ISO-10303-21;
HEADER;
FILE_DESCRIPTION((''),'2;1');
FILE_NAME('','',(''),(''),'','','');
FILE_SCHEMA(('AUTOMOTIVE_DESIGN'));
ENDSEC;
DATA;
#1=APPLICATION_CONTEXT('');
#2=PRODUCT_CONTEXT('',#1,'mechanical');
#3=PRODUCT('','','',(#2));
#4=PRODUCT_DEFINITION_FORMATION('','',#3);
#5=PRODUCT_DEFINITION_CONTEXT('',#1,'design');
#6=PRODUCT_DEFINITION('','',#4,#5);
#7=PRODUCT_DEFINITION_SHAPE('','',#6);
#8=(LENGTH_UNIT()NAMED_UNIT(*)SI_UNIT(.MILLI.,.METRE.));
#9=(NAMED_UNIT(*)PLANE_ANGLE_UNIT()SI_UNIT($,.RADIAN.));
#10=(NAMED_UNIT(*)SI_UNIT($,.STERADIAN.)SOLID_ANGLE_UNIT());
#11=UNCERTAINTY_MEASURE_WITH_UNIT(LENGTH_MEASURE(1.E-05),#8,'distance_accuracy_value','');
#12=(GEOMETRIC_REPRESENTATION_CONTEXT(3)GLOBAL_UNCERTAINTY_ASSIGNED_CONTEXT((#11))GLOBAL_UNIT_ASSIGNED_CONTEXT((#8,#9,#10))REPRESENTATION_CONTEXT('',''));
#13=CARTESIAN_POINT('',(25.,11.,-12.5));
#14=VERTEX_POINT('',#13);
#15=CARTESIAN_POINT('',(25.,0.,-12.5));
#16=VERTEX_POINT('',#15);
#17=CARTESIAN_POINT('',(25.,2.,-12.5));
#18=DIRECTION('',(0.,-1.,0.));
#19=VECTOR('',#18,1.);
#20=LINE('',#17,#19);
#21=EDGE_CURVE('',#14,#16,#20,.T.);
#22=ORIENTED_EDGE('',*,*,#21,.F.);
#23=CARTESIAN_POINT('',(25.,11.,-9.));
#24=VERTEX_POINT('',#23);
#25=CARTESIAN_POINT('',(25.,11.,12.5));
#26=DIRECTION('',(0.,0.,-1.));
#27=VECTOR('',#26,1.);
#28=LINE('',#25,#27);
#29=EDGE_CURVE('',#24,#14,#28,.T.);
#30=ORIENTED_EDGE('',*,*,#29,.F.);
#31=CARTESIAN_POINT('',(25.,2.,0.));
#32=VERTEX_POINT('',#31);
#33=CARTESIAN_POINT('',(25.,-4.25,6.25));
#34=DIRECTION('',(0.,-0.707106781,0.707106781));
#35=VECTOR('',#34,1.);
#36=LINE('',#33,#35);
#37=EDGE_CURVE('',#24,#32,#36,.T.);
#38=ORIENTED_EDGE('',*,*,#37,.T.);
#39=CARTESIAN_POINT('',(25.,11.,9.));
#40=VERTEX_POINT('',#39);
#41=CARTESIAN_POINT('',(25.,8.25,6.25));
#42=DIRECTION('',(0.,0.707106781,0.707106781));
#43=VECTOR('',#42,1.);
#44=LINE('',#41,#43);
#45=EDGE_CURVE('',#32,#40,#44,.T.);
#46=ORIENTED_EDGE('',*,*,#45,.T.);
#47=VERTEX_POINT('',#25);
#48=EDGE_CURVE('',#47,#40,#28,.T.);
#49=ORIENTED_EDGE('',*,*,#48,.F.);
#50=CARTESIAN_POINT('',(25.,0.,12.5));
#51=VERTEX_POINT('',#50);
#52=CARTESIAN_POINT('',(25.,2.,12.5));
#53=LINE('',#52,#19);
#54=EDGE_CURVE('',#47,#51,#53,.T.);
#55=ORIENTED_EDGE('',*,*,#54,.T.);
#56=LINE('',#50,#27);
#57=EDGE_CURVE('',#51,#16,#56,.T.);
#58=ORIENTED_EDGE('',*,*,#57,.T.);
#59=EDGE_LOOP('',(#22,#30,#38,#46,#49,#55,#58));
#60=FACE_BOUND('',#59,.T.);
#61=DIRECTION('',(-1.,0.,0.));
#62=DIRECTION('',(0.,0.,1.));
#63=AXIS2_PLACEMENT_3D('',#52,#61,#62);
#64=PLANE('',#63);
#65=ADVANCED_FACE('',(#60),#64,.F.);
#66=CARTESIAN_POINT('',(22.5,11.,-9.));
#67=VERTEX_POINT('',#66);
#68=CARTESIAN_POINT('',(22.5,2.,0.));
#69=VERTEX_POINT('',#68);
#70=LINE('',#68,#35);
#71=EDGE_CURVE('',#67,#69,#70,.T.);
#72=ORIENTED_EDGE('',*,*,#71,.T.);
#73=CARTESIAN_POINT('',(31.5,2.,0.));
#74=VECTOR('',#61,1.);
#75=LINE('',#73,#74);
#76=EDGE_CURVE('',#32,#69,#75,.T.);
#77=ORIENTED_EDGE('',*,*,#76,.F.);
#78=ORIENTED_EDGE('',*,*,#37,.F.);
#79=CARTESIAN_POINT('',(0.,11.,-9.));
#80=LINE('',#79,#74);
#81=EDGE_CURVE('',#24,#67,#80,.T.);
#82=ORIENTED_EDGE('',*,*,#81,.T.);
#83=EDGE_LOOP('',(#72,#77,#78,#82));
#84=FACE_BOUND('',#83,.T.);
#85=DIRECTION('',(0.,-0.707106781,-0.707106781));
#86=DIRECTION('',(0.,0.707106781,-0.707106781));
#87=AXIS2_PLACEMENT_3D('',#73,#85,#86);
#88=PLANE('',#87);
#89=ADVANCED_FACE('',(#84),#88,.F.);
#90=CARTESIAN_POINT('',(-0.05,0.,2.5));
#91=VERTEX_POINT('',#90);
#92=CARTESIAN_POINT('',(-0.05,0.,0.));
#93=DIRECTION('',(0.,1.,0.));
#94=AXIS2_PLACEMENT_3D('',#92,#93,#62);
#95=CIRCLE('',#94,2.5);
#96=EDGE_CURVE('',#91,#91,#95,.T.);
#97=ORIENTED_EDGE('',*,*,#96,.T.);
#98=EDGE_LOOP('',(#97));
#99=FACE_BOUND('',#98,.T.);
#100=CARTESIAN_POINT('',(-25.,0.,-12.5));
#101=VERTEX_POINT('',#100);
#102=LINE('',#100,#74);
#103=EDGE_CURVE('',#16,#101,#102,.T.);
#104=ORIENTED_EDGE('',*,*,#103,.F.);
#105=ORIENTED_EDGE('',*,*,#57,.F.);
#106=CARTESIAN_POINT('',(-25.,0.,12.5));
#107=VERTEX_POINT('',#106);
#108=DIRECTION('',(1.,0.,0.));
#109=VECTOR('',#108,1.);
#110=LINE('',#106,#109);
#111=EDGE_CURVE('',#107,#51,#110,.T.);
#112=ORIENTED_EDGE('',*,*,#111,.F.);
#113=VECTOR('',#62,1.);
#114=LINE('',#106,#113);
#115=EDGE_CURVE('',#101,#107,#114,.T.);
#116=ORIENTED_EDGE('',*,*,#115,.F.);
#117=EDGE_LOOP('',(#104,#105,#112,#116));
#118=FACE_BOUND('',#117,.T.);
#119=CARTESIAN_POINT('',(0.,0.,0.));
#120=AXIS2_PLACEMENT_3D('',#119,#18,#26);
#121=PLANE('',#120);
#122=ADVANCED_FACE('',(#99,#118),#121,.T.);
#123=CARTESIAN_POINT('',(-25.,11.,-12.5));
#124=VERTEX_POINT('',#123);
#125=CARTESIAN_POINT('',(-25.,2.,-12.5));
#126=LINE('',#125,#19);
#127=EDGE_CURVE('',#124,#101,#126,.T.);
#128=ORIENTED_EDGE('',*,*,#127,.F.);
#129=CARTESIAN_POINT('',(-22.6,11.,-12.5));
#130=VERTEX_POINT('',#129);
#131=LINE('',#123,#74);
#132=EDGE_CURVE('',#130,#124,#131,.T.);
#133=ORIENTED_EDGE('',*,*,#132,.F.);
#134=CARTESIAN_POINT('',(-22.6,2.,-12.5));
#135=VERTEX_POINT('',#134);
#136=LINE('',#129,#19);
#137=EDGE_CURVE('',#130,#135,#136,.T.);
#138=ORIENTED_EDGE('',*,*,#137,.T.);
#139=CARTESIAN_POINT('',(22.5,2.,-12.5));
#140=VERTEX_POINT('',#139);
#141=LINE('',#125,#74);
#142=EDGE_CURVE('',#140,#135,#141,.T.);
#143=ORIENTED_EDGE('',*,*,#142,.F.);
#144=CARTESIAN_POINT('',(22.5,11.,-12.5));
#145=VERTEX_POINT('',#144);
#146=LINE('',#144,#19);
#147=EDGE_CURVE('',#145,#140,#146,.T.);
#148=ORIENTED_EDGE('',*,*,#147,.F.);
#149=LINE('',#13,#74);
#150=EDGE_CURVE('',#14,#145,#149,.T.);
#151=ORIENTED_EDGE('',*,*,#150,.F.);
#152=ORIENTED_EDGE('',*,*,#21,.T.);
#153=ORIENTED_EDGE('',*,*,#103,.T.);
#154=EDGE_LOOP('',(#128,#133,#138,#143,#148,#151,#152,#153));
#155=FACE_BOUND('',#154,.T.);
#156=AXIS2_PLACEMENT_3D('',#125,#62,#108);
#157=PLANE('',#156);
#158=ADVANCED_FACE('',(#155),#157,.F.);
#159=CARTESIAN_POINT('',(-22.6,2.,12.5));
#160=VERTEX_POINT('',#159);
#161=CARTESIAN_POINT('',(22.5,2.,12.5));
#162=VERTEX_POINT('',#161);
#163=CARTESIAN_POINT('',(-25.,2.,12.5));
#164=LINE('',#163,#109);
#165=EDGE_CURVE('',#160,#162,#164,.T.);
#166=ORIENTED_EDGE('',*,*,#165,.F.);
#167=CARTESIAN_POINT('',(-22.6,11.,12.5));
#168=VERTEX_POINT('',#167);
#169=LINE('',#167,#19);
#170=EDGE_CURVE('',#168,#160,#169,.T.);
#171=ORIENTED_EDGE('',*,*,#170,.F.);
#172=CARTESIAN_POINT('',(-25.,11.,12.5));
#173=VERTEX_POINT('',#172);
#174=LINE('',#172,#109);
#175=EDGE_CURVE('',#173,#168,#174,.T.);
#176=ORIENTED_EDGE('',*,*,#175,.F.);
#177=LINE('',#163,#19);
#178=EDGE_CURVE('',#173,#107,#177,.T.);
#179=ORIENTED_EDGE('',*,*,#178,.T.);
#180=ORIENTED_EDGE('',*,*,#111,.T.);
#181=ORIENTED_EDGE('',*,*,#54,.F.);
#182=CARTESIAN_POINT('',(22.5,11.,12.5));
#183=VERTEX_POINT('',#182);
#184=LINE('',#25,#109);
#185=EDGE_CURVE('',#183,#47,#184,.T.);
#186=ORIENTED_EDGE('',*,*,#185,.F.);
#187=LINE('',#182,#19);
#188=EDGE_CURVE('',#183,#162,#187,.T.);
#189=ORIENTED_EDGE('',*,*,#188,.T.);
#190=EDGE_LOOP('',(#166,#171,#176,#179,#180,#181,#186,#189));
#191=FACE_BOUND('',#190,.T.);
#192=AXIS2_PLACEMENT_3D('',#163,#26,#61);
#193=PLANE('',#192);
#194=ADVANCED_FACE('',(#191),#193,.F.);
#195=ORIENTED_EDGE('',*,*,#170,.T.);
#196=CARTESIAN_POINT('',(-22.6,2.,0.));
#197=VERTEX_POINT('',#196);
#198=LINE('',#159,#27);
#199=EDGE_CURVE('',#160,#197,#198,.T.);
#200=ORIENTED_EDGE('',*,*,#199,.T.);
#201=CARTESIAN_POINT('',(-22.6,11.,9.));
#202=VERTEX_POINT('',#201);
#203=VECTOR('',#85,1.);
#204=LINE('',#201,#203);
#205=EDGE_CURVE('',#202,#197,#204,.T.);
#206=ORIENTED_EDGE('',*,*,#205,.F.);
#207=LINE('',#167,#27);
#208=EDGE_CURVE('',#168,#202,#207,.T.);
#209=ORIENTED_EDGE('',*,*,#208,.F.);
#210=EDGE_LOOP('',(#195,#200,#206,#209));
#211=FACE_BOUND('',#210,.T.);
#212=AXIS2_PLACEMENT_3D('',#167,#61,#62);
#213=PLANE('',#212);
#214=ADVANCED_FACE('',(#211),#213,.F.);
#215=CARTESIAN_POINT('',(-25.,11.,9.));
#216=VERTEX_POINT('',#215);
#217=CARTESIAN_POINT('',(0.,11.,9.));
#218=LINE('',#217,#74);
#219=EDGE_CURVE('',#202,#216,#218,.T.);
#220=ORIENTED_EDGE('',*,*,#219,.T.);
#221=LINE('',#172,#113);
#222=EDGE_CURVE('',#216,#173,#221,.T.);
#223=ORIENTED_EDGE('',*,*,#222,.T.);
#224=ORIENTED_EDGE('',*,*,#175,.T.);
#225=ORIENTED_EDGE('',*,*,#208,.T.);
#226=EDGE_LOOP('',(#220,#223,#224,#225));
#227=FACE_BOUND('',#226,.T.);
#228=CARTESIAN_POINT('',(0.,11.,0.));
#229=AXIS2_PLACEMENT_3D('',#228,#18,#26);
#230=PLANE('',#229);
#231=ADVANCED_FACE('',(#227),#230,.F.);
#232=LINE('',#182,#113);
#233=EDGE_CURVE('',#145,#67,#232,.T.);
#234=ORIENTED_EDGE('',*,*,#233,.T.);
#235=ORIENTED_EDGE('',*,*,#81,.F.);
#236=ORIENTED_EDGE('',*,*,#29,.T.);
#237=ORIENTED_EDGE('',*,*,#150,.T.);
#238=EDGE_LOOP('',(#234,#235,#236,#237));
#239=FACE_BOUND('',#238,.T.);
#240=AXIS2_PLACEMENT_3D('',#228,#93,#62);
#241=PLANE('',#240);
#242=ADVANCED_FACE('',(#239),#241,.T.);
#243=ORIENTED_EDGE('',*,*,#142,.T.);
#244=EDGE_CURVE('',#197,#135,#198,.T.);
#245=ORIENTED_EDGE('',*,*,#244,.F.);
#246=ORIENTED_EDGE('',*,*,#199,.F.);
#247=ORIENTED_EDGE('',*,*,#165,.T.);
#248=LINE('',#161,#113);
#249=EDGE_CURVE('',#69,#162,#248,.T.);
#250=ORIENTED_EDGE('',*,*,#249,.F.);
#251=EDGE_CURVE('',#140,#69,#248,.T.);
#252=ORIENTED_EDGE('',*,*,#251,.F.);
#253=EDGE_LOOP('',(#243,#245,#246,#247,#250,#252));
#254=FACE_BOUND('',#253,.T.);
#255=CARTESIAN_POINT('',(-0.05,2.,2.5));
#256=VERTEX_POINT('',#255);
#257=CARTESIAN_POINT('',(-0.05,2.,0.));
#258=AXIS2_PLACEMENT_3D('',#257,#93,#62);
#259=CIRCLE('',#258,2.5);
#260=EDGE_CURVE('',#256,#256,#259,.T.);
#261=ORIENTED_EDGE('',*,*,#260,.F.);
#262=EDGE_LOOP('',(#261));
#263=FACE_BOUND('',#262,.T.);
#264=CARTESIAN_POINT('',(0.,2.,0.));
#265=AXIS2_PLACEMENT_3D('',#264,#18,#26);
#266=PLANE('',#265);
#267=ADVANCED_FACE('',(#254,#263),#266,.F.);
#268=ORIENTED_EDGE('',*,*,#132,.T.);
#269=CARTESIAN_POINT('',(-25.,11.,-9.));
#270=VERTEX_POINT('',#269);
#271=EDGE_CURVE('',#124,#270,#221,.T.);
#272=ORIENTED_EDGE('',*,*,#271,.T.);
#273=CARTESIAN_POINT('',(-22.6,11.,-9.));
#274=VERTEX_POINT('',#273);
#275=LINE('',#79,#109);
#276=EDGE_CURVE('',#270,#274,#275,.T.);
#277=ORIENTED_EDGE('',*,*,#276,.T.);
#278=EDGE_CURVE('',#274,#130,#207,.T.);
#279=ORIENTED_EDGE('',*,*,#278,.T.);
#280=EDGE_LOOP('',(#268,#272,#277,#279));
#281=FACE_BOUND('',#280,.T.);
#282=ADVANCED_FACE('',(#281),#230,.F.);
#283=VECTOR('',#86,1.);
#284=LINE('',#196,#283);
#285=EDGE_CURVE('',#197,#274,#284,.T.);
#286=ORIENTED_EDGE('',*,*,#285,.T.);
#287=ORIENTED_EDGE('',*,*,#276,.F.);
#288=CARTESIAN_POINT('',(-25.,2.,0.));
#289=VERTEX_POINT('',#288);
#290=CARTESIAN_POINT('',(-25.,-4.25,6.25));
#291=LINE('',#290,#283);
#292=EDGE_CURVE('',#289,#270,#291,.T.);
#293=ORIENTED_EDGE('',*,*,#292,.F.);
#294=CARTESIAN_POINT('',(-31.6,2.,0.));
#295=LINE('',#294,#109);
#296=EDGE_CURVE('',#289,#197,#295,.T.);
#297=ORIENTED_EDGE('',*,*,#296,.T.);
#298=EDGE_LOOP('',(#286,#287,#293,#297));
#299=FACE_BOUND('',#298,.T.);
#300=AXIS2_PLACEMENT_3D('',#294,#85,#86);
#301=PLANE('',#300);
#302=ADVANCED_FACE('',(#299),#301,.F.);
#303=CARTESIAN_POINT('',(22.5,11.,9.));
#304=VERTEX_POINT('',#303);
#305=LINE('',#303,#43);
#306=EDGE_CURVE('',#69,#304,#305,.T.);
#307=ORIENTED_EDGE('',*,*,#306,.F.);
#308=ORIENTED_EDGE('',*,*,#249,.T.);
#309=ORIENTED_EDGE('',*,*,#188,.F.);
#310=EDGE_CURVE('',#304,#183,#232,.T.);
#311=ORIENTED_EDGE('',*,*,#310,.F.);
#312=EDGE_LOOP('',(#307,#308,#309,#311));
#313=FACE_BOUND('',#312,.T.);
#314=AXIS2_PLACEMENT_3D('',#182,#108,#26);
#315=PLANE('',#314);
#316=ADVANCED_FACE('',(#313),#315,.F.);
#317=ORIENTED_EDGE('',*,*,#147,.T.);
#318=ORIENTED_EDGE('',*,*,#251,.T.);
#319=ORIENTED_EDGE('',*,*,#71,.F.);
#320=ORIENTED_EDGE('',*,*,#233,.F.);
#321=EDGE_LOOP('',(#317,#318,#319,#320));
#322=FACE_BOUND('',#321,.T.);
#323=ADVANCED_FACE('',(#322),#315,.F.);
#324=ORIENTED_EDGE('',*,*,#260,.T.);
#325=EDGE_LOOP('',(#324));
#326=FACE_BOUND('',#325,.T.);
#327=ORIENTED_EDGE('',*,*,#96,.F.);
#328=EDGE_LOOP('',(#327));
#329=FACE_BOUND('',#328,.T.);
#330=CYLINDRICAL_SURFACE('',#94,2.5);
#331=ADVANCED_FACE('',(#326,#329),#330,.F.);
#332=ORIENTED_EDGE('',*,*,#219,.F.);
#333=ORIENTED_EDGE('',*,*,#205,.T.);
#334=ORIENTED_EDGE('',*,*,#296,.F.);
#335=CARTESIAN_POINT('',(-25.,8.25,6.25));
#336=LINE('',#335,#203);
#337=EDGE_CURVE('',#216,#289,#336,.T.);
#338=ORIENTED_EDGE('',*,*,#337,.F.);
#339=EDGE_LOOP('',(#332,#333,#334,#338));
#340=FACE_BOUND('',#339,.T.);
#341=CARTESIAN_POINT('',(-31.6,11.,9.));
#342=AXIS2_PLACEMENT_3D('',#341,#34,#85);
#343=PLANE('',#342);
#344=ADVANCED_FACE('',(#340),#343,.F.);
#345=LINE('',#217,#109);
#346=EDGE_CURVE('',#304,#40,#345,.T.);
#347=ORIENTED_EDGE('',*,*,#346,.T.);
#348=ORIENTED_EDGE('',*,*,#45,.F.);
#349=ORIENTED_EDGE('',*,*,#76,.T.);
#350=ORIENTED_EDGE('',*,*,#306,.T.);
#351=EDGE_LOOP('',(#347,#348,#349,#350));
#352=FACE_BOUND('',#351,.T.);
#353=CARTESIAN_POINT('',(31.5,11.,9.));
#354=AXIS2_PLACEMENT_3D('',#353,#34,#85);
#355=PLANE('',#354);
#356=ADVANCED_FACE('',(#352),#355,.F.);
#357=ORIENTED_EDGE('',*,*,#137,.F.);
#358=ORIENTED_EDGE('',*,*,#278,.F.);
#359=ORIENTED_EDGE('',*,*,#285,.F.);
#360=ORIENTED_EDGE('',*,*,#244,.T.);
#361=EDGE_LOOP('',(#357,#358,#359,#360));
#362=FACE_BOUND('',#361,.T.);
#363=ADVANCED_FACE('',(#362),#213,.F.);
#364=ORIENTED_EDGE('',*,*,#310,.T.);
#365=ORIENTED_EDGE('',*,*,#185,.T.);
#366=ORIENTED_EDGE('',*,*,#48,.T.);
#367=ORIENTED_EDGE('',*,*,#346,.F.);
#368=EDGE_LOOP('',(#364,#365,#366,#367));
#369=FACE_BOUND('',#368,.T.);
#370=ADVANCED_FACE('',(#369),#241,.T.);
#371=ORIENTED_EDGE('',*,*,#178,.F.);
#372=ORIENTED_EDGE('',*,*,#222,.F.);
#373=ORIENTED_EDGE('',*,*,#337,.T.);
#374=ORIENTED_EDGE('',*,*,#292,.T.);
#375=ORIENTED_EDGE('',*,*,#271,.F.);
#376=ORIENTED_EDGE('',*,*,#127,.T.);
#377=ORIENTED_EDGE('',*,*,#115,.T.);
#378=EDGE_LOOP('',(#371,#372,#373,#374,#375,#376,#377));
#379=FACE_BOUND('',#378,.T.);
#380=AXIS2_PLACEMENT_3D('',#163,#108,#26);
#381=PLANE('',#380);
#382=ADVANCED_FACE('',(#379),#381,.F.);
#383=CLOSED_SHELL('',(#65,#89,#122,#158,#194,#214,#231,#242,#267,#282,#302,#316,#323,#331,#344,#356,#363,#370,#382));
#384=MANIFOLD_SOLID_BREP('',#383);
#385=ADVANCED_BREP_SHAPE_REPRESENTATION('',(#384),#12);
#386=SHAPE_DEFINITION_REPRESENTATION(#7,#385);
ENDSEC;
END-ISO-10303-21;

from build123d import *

# Parameters (mm, degrees)
SKETCH1_W           = 50
SKETCH1_H           = 25
BOSS_EXTRUDE1_DEPTH = 2
SKETCH2_W           = 2.4
SKETCH2_H           = 25
BOSS_EXTRUDE2_DEPTH = 9
CUT_EXTRUDE1_DEPTH  = 9
SKETCH4_W           = 2.5
SKETCH4_H           = 25
BOSS_EXTRUDE3_DEPTH = 9
CUT_EXTRUDE2_DEPTH  = 9
SKETCH6_R           = 2.5
CUT_EXTRUDE4_DEPTH  = 3


with BuildPart() as part:
    # Sketch1 → Boss-Extrude1 (new body)
    with BuildSketch(Plane(origin=(0, 0, 0), x_dir=(1, 0, 0), z_dir=(0, 1, 0))):
        Rectangle(SKETCH1_W, SKETCH1_H)
    extrude(amount=BOSS_EXTRUDE1_DEPTH)

    # Sketch2 → Boss-Extrude2 (add)
    with BuildSketch(Plane(origin=(0, 2, 0), x_dir=(1, 0, 0), z_dir=(0, 1, 0))):
        with Locations((-23.8, 0)):
            Rectangle(SKETCH2_W, SKETCH2_H)
    extrude(amount=BOSS_EXTRUDE2_DEPTH)

    # Sketch3 → Cut-Extrude1 (cut)
    with BuildSketch(Plane(origin=(-22.6, 0, 0), x_dir=(0, 0, -1), z_dir=(1, 0, 0))):
        Polygon((-9, 11), (0, 2), (9, 11), align=None)
    extrude(amount=-CUT_EXTRUDE1_DEPTH, mode=Mode.SUBTRACT)

    # Sketch4 → Boss-Extrude3 (add)
    with BuildSketch(Plane(origin=(0, 2, 0), x_dir=(1, 0, 0), z_dir=(0, 1, 0))):
        with Locations((23.75, 0)):
            Rectangle(SKETCH4_W, SKETCH4_H)
    extrude(amount=BOSS_EXTRUDE3_DEPTH)

    # Sketch5 → Cut-Extrude2 (cut)
    with BuildSketch(Plane.ZY.offset(-22.5)):
        Polygon((0, 2), (-9, 11), (9, 11), align=None)
    extrude(amount=-CUT_EXTRUDE2_DEPTH, mode=Mode.SUBTRACT)

    # Sketch6 → Cut-Extrude4 (cut, through all)
    with BuildSketch(Plane(origin=(0, 2, 0), x_dir=(1, 0, 0), z_dir=(0, 1, 0))):
        with Locations((-0.05, 0)):
            Circle(SKETCH6_R)
    extrude(amount=-CUT_EXTRUDE4_DEPTH, mode=Mode.SUBTRACT)


solid = part.part
